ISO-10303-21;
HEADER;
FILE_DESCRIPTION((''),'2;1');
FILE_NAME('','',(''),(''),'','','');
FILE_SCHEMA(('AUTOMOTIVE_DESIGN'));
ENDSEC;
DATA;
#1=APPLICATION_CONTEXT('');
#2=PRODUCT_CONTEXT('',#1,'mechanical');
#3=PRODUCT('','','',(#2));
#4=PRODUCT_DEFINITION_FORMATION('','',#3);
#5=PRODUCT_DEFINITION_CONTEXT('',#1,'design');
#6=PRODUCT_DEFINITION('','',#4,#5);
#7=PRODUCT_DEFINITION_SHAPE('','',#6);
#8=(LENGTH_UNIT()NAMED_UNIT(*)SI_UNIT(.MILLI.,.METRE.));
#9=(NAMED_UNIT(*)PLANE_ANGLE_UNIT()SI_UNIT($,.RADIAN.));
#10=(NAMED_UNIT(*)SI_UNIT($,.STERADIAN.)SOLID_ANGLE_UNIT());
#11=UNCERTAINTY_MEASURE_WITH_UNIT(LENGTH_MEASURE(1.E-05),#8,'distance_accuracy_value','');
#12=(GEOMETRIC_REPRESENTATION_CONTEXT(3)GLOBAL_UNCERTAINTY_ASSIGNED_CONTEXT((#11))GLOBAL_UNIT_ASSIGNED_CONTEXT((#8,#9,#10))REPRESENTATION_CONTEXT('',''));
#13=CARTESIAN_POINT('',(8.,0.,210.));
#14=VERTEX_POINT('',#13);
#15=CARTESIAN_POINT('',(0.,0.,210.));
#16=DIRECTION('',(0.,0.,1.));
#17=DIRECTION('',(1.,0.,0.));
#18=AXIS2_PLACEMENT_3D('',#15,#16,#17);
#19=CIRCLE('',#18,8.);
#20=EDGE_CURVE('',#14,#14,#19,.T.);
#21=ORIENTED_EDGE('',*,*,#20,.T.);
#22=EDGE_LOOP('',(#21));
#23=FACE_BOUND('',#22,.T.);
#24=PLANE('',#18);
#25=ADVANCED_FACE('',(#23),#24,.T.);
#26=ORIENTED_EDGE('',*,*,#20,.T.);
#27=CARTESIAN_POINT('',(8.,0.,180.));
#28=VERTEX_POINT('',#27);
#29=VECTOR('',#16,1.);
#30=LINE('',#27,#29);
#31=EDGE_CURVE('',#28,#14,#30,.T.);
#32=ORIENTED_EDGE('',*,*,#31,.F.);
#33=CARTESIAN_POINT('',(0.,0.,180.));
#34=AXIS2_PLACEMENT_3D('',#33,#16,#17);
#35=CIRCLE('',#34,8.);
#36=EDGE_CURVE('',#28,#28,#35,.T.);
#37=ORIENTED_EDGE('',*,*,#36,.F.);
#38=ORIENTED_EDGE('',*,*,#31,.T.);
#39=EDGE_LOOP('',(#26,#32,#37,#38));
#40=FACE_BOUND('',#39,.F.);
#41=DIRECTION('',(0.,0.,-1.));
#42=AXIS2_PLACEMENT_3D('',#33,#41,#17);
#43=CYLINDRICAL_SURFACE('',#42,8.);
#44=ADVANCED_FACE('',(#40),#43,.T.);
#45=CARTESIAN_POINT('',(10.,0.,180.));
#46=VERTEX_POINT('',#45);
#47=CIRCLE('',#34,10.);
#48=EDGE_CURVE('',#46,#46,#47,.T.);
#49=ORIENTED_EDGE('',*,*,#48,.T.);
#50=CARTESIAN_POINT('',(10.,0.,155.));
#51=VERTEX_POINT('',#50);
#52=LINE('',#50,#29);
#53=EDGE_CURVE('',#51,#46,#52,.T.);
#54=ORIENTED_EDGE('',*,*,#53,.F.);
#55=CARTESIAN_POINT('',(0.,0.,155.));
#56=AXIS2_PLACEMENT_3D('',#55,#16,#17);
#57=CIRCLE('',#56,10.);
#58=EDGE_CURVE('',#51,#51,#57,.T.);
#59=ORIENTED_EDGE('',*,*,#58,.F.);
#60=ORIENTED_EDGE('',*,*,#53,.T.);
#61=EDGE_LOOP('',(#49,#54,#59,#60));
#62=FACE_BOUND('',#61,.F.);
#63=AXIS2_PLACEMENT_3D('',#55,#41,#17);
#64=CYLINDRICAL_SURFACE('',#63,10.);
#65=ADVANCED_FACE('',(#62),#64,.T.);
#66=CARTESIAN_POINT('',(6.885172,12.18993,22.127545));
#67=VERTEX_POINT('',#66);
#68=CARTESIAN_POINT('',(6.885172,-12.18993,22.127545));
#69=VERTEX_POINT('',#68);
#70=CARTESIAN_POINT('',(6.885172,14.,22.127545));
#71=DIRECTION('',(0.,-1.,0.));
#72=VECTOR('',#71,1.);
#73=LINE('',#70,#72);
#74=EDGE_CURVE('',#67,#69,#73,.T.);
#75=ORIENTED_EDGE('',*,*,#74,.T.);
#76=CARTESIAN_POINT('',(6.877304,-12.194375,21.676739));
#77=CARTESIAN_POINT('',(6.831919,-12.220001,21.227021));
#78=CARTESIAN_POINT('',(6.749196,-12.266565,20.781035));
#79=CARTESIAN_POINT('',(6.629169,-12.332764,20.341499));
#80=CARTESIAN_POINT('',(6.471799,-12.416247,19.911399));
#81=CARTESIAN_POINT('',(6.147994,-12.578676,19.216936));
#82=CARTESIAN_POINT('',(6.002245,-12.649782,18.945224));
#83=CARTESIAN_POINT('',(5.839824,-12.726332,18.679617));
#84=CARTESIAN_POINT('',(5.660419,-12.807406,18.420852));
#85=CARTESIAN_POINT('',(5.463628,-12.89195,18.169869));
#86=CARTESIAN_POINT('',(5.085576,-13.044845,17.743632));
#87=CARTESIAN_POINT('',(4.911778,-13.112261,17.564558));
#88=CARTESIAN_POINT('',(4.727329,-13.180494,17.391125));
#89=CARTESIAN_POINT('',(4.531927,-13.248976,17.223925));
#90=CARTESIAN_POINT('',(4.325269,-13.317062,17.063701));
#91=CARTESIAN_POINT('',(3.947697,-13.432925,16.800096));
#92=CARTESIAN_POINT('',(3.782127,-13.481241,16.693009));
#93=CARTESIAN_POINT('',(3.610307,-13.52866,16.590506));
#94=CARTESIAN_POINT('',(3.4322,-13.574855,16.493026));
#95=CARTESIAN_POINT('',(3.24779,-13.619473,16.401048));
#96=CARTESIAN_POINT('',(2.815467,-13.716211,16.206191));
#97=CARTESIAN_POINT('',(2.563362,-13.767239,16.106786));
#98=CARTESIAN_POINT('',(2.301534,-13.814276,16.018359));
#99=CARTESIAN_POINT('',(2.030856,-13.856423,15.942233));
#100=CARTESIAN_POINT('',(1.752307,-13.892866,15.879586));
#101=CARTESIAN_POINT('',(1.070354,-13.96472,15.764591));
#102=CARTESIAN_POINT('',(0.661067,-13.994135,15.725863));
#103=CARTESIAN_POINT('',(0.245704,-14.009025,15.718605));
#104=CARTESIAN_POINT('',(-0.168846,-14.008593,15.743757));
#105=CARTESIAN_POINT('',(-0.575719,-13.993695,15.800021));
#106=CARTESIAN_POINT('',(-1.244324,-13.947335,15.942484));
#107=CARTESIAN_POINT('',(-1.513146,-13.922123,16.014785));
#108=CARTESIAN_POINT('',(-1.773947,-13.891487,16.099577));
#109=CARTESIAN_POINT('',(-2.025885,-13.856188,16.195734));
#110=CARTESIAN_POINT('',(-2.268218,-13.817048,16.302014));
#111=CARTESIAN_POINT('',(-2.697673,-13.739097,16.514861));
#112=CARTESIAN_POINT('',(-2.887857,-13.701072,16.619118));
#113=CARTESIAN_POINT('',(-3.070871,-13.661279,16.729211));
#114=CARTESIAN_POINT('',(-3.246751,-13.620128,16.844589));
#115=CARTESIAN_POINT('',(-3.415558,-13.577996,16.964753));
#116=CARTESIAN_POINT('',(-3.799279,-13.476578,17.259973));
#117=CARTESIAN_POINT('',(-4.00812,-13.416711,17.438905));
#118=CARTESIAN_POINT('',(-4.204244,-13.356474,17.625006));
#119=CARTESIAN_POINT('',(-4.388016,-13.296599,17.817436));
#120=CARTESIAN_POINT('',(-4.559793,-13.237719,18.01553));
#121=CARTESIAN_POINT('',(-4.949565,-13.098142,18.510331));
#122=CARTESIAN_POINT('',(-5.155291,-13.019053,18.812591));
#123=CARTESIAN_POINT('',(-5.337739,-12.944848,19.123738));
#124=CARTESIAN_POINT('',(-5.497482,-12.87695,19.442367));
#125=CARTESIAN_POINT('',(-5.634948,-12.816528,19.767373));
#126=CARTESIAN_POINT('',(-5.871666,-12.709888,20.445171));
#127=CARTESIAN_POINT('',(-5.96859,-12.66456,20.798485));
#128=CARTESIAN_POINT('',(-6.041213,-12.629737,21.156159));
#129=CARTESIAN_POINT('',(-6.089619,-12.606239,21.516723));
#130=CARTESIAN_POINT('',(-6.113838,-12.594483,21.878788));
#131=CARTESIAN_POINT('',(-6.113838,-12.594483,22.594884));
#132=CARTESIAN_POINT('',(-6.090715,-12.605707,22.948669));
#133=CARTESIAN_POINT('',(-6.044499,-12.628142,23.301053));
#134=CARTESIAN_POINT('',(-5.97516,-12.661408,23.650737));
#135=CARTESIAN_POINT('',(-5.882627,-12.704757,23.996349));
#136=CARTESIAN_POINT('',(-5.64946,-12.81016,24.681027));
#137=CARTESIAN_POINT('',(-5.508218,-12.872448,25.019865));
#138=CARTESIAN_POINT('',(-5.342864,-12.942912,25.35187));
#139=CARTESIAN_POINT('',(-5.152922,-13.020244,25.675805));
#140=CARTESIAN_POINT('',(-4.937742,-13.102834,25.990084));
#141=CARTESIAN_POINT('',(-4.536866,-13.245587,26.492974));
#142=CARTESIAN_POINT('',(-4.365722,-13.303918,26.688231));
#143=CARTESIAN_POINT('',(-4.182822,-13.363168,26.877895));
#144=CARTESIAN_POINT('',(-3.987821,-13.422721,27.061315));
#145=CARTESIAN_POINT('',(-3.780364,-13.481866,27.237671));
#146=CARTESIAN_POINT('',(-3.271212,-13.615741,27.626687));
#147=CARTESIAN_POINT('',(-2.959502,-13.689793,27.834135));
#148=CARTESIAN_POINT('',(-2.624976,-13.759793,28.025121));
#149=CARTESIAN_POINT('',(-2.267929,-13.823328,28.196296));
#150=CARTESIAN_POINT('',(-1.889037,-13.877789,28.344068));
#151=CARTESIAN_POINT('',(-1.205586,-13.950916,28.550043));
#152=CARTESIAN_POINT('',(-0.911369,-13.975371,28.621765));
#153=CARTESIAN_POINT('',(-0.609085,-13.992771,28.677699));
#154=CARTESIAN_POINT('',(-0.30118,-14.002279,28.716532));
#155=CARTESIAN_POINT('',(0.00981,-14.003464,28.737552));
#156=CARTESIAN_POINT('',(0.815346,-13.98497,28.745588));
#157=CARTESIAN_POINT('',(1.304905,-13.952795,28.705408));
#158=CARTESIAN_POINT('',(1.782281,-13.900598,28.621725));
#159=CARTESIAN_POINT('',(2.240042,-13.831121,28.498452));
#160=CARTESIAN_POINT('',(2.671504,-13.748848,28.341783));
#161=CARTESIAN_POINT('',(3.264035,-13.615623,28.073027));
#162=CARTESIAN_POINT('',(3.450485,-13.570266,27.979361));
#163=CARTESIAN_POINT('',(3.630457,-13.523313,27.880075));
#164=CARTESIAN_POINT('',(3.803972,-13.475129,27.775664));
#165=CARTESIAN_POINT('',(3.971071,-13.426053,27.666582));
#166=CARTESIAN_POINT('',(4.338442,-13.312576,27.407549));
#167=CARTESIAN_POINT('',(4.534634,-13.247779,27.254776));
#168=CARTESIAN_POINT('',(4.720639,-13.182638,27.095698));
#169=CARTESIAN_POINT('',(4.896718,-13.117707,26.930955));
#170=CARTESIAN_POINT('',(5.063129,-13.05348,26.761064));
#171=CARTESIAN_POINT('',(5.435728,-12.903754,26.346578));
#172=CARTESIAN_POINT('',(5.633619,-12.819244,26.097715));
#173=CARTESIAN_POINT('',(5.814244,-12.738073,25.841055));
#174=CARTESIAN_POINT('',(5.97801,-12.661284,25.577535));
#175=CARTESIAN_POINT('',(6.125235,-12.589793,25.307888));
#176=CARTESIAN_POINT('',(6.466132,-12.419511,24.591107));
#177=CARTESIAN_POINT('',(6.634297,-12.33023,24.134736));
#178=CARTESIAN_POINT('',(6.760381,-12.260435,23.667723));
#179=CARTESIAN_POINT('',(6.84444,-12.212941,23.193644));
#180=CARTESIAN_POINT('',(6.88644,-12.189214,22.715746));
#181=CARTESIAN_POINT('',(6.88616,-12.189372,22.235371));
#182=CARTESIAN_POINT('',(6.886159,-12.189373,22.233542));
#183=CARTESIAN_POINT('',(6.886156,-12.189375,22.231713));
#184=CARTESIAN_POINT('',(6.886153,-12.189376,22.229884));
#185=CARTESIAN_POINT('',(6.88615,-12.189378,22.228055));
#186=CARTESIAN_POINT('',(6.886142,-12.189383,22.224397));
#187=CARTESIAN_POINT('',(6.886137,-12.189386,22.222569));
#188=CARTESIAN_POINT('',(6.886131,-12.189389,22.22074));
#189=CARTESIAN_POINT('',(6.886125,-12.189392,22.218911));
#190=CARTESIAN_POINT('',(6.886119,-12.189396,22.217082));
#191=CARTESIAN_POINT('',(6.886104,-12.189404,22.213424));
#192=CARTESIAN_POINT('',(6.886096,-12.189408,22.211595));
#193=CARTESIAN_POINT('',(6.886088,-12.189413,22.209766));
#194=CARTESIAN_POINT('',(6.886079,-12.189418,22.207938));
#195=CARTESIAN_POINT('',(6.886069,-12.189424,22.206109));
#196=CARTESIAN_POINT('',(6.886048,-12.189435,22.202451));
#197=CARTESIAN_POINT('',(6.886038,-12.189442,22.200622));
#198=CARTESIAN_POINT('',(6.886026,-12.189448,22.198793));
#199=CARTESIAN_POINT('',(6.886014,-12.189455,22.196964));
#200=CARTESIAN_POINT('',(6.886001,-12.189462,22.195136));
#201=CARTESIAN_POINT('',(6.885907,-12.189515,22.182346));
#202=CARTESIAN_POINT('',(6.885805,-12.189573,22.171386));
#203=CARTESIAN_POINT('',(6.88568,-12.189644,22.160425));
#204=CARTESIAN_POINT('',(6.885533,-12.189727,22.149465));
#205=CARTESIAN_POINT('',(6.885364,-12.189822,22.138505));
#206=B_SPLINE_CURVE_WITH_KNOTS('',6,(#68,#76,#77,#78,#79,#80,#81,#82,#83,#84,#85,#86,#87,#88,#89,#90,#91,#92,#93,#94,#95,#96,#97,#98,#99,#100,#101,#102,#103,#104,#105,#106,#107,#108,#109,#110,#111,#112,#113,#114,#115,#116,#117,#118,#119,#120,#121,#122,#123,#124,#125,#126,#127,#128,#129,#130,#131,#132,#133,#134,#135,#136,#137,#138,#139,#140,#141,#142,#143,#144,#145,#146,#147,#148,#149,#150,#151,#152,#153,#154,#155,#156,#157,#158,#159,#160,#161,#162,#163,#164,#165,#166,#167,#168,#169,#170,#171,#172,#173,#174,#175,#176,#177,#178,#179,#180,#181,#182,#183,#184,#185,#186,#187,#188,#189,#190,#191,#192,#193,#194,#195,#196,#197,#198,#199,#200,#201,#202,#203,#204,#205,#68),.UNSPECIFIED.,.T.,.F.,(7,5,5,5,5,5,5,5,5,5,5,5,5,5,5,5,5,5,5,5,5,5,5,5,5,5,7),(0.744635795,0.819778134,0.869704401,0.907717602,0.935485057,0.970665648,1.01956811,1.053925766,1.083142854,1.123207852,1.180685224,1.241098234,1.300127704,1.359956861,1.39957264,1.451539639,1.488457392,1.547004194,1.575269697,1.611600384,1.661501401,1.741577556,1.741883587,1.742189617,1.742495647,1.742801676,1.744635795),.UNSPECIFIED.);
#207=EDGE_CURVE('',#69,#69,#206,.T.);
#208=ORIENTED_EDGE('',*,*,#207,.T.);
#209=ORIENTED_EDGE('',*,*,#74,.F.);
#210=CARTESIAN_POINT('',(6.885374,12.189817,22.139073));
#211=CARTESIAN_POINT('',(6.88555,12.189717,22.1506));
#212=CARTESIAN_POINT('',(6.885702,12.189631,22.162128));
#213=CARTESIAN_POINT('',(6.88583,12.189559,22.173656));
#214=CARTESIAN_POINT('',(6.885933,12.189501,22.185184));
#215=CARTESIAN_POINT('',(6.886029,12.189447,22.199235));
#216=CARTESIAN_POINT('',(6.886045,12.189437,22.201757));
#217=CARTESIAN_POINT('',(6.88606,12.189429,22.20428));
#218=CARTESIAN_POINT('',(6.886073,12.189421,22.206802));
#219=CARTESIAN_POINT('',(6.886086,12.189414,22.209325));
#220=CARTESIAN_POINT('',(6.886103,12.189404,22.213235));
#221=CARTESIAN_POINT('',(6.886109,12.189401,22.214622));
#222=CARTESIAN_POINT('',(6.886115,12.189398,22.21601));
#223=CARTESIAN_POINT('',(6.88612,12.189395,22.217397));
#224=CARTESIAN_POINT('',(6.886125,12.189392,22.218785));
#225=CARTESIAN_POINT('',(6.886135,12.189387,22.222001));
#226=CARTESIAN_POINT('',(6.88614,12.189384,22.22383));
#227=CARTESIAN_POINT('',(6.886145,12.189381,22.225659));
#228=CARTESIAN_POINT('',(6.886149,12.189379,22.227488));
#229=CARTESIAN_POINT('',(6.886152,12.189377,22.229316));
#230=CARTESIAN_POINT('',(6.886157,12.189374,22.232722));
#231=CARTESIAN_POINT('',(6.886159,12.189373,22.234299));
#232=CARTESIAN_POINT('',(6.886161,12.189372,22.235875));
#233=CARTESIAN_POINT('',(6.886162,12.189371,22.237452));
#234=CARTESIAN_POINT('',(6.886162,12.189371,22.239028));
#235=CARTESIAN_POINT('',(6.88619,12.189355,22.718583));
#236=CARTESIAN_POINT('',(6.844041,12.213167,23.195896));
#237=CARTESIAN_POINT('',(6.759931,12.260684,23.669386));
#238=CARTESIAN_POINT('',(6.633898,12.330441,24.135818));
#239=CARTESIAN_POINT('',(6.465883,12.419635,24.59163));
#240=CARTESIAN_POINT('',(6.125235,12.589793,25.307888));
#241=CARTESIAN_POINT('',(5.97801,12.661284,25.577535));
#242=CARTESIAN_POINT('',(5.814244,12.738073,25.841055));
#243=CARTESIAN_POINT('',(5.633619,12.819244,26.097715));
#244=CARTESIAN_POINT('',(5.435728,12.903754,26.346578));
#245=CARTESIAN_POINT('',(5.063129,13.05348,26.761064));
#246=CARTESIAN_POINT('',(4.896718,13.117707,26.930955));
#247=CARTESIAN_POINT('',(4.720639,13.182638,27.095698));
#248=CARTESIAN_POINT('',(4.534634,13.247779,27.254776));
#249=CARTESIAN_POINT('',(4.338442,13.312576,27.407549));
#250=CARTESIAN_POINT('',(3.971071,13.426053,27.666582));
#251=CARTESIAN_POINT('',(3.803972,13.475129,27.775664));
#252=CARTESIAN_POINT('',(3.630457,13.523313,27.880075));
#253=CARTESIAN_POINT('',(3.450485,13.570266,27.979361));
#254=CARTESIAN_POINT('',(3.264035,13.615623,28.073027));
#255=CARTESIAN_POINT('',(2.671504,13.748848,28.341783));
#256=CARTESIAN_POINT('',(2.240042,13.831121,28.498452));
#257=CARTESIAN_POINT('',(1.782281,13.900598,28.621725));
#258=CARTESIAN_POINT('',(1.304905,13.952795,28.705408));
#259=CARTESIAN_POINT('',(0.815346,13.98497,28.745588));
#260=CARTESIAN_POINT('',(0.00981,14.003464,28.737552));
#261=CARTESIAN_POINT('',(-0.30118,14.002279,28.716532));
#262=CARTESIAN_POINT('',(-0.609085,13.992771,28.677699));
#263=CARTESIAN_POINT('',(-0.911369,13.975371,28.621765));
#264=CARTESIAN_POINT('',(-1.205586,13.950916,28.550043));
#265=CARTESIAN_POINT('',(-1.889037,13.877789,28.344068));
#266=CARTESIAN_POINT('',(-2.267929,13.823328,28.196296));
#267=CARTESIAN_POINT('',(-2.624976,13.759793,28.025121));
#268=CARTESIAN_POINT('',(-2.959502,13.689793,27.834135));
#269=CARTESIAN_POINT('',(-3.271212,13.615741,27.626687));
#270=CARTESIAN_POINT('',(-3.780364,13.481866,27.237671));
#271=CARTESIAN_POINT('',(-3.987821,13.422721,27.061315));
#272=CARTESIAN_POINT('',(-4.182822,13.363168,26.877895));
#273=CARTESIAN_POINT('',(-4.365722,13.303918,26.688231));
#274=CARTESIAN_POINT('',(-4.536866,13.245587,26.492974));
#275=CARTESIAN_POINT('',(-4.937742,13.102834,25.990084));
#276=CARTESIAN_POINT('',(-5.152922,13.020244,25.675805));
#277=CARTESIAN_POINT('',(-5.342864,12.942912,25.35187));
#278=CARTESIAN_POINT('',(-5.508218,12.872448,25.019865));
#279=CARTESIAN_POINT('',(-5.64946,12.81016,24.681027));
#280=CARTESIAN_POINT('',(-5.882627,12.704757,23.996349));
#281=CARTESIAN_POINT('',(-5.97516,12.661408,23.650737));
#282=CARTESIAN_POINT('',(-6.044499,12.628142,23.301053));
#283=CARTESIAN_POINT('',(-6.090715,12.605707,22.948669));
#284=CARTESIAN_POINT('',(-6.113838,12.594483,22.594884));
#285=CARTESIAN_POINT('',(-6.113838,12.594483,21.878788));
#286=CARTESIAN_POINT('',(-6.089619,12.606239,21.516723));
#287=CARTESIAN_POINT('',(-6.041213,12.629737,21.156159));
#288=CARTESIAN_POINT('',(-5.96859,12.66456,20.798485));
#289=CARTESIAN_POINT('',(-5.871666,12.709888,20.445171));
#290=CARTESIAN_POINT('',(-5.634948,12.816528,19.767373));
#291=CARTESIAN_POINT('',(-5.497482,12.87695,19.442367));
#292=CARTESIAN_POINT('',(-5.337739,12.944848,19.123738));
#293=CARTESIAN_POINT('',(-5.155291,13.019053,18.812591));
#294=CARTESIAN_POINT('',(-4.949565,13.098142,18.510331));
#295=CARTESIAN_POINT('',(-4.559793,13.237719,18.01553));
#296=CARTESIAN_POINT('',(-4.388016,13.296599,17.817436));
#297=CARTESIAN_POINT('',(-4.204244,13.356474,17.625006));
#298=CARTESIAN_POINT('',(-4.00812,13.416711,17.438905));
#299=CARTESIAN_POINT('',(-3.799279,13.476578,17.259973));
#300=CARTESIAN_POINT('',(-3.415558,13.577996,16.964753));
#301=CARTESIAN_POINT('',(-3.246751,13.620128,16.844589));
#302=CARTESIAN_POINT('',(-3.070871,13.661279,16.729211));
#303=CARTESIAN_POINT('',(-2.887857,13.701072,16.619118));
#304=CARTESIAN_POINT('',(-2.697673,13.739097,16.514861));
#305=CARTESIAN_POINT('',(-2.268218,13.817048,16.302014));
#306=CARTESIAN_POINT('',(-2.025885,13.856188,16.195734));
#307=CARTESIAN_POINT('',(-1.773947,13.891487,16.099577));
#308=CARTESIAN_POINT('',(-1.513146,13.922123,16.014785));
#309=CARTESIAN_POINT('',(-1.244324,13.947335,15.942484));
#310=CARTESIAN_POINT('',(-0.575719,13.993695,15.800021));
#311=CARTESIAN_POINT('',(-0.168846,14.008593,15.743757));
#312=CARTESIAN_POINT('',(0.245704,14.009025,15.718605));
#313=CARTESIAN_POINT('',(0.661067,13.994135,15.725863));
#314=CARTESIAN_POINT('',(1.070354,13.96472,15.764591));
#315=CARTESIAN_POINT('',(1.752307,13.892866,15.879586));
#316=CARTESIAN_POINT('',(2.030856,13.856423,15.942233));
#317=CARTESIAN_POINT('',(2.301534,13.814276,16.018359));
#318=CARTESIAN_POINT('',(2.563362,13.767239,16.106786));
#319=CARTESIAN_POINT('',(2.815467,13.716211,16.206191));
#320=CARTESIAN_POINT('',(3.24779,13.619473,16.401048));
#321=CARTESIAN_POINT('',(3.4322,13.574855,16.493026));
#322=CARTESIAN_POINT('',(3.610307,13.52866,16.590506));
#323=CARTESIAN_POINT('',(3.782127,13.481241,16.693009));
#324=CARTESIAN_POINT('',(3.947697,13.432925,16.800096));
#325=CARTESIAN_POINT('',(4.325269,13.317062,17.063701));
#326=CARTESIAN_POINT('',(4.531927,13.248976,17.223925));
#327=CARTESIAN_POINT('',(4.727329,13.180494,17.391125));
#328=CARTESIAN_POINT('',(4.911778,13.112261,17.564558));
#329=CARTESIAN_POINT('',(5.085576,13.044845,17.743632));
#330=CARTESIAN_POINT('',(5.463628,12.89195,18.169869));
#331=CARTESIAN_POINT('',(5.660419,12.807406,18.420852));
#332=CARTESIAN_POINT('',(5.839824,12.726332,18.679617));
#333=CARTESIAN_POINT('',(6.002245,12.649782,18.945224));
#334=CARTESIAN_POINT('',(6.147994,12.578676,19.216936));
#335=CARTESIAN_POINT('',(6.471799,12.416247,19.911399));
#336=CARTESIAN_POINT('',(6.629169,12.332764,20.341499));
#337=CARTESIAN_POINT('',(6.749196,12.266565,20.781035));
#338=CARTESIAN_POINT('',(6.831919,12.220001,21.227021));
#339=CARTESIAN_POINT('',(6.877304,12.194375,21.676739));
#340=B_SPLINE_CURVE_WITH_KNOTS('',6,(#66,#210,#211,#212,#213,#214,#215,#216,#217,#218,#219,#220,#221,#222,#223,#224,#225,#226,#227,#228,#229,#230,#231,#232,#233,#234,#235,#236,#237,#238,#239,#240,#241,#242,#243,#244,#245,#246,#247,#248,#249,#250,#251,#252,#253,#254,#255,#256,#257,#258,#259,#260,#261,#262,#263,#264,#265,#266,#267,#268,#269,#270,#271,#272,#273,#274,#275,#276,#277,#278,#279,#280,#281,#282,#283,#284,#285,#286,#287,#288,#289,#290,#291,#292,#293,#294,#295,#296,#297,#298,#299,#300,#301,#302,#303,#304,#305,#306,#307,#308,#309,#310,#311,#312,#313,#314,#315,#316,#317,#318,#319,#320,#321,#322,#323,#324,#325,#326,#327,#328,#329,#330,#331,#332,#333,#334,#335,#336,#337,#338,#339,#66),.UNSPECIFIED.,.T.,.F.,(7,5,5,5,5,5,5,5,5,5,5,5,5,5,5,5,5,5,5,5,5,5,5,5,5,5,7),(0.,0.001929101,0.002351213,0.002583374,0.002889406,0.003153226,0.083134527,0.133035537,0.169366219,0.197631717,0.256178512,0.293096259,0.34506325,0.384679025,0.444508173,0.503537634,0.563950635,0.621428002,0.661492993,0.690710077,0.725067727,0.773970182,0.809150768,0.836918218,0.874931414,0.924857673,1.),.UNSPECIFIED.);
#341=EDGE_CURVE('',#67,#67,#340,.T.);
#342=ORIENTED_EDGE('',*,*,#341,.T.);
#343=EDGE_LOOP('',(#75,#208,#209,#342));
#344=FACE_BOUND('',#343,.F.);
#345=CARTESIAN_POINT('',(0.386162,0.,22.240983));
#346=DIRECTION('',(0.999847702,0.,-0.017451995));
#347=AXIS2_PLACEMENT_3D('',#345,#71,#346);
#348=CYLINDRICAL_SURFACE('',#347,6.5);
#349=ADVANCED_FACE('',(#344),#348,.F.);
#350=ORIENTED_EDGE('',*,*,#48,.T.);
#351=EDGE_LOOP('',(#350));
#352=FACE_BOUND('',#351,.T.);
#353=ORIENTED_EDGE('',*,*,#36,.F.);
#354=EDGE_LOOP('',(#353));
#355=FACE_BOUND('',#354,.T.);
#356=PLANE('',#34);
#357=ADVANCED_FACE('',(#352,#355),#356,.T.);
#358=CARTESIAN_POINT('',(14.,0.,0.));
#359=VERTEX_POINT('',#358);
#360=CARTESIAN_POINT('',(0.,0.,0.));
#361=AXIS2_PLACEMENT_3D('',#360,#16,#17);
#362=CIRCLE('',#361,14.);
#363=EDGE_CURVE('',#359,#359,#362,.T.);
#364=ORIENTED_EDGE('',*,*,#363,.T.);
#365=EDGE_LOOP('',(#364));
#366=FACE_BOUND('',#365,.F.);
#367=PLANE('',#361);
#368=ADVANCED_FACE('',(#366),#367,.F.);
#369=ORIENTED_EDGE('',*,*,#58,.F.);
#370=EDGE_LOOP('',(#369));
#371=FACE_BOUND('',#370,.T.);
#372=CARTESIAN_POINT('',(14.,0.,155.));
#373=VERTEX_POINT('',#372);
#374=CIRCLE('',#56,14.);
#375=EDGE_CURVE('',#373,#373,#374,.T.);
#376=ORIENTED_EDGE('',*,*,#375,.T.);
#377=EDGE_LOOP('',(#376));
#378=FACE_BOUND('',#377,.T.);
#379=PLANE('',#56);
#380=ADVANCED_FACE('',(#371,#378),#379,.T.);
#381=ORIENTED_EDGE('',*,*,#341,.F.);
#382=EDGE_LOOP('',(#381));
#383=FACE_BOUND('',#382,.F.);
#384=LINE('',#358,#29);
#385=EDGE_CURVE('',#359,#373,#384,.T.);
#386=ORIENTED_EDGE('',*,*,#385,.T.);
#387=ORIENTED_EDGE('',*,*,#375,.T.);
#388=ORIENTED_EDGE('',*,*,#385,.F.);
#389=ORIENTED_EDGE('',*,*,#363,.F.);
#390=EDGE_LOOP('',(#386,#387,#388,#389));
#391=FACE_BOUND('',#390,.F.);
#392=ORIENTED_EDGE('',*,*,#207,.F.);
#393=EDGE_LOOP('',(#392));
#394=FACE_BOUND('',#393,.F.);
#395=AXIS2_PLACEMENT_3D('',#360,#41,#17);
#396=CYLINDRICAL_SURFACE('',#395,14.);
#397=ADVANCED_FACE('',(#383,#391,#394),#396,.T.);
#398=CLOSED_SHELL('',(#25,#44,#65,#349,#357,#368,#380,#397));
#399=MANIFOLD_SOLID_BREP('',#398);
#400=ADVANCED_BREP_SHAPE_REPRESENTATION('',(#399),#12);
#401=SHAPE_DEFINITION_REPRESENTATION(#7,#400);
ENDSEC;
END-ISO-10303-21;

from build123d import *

# Parameters (mm, degrees)
SKETCH_R     = 14
PAD_DEPTH    = 155
SKETCH001_R  = 10
PAD001_DEPTH = 25
SKETCH002_R  = 8
PAD002_DEPTH = 30
SKETCH003_R  = 6.5
POCKET_DEPTH = 14


with BuildPart() as part:
    # Sketch → Pad (new body)
    with BuildSketch(Plane.XY):
        Circle(SKETCH_R)
    extrude(amount=PAD_DEPTH)

    # Sketch001 (on Face3 of Pad) → Pad001 (join)
    with BuildSketch(Plane.XY.offset(155)):
        Circle(SKETCH001_R)
    extrude(amount=PAD001_DEPTH)

    # Sketch002 (on Face5 of Pad001) → Pad002 (join)
    with BuildSketch(Plane.XY.offset(180)):
        Circle(SKETCH002_R)
    extrude(amount=PAD002_DEPTH)

    # Sketch003 (on DatumPlane) → Pocket (cut, symmetric)
    with BuildSketch(Plane(origin=(0, 0, 210), x_dir=(0.999848, 0, -0.017452), z_dir=(0, -1, 0))):
        with Locations((3.662873, -187.723682)):
            Circle(SKETCH003_R)
    extrude(amount=POCKET_DEPTH, both=True, mode=Mode.SUBTRACT)


solid = part.part
